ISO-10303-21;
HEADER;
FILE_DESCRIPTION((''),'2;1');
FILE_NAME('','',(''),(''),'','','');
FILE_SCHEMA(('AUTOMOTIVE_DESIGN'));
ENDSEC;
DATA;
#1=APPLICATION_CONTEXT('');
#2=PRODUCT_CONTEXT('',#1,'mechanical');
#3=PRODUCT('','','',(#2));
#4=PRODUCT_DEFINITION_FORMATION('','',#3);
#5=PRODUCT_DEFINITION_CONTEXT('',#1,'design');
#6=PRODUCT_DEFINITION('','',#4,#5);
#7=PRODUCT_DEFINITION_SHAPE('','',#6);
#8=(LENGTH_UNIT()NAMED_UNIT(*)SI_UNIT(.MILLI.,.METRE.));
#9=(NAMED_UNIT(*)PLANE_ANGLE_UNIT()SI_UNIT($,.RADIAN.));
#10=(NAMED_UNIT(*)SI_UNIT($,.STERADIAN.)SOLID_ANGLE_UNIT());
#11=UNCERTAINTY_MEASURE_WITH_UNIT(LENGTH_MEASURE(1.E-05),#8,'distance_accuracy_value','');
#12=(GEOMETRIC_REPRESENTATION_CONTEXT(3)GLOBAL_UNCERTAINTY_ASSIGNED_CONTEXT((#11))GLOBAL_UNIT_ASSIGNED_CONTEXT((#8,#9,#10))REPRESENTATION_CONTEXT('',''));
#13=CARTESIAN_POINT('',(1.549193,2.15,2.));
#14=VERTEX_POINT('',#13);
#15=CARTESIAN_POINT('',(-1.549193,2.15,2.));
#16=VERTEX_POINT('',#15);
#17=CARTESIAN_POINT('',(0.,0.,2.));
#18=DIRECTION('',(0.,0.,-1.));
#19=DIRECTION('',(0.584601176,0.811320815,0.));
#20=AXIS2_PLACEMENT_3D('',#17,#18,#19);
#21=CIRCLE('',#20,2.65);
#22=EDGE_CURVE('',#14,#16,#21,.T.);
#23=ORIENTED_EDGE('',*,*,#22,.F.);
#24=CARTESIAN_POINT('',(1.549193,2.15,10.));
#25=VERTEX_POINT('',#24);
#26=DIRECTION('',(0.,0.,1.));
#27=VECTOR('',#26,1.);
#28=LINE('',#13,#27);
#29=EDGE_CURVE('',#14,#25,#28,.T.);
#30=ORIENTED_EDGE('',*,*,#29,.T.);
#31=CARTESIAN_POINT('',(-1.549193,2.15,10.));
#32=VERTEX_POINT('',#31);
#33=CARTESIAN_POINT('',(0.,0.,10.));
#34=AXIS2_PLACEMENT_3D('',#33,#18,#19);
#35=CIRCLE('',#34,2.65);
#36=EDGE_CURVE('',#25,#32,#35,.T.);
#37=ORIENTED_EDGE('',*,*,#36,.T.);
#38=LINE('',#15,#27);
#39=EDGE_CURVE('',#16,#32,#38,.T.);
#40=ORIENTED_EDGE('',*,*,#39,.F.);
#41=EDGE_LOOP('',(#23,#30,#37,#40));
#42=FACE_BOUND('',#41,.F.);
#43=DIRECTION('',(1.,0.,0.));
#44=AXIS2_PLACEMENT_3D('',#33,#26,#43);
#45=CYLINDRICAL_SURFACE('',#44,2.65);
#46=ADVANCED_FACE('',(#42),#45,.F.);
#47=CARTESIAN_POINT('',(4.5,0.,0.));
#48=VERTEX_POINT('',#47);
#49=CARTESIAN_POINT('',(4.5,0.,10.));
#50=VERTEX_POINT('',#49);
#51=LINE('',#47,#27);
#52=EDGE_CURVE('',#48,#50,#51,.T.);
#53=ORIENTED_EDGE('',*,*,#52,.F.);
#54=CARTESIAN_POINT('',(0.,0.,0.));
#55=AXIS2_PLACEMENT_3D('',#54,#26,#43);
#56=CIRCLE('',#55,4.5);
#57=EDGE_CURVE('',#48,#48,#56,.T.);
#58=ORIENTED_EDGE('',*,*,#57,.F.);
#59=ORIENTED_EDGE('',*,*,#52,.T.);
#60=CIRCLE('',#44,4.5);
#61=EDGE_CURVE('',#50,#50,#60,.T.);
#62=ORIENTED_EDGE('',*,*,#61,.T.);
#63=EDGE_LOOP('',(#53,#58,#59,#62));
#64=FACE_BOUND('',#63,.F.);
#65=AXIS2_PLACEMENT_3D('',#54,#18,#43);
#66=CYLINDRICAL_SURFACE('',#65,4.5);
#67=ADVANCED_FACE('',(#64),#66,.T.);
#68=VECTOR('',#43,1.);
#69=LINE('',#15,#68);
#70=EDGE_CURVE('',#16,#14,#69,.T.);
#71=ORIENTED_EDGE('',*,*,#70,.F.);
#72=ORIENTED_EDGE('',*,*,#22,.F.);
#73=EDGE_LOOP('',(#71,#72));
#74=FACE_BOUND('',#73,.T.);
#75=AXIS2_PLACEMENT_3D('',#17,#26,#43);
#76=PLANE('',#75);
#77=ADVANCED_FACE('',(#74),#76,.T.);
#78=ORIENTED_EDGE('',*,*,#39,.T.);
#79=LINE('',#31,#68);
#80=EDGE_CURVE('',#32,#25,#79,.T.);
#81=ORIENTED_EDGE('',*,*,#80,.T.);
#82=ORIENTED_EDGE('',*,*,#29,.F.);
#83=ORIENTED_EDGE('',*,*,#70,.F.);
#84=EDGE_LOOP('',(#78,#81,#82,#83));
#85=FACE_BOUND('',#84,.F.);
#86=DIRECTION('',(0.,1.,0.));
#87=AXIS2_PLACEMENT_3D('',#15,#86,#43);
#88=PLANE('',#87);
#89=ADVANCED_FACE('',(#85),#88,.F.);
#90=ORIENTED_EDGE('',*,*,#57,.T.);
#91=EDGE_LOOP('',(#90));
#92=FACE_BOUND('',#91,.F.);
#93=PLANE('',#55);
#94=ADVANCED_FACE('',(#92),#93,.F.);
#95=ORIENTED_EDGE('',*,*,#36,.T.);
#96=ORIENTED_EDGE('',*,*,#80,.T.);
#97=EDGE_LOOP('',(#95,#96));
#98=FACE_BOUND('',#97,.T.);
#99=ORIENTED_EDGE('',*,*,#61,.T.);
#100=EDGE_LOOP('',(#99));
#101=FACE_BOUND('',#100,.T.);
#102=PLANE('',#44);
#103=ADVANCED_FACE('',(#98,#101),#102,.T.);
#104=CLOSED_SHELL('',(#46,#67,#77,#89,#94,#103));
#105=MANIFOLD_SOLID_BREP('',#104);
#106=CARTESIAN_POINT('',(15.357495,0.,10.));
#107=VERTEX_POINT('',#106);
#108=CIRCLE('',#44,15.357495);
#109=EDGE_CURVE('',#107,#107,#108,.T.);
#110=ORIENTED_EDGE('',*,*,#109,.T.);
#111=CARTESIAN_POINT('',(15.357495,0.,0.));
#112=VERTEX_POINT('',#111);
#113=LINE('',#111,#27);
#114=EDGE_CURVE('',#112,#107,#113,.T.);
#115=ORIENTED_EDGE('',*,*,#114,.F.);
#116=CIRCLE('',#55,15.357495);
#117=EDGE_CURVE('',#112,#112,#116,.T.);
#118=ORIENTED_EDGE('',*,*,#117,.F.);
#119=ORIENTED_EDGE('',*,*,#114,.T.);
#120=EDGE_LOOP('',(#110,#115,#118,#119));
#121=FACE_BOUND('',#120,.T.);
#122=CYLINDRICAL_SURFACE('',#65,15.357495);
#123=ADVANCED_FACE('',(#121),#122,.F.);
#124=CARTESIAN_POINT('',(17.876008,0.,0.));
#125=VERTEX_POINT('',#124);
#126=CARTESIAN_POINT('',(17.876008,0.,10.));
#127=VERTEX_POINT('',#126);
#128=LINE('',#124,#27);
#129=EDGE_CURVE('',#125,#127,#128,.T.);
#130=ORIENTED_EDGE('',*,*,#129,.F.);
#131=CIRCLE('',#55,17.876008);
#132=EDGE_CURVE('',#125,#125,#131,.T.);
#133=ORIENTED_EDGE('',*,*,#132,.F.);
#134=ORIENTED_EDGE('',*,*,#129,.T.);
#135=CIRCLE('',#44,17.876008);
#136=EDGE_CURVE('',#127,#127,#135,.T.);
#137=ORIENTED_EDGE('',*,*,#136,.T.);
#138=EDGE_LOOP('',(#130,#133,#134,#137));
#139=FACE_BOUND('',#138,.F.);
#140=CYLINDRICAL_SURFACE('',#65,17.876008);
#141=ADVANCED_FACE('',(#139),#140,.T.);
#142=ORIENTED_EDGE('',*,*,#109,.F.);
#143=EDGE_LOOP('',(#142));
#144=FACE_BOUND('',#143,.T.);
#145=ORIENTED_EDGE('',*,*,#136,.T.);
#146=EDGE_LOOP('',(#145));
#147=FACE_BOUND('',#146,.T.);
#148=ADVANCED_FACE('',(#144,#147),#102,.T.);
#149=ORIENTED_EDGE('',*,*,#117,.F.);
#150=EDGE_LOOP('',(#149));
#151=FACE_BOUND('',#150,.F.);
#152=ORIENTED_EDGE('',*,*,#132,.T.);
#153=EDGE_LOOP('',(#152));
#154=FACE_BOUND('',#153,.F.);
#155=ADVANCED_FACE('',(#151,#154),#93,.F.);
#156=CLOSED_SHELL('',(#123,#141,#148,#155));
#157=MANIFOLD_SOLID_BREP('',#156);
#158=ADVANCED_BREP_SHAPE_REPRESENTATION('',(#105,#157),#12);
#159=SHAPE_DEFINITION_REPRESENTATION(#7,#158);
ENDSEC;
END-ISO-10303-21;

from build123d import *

# Parameters (mm, degrees)
F0_R     = 4.5
F1_DEPTH = 10
F2_R     = 2.65
F3_DEPTH = 8
F5_DEPTH = 8
F6_R     = 17.876008
F6_R_2   = 15.357495
F7_DEPTH = 10


with BuildPart() as f1:
    # F0 (on Top) → F1 (new body)
    with BuildSketch(Plane.XY):
        Circle(F0_R)
    extrude(amount=F1_DEPTH)

    # F2 (on face) → F3 (cut)
    with BuildSketch(Plane.XY.offset(10)):
        Circle(F2_R)
    extrude(amount=-F3_DEPTH, mode=Mode.SUBTRACT)

    # F4 (on face) → F5 (join, through all)
    with BuildSketch(Plane.XY.offset(2)):
        with BuildLine():
            ThreePointArc((1.549193, 2.15), (0, 2.65), (-1.549193, 2.15))
            Line((-1.549193, 2.15), (1.549193, 2.15))
        make_face()
    extrude(amount=F5_DEPTH)


with BuildPart() as f7:
    # F6 (on Top) → F7 (new body, through all)
    with BuildSketch(Plane.XY):
        Circle(F6_R)
        Circle(F6_R_2, mode=Mode.SUBTRACT)
    extrude(amount=F7_DEPTH)


solid = Compound([f1.part, f7.part])
